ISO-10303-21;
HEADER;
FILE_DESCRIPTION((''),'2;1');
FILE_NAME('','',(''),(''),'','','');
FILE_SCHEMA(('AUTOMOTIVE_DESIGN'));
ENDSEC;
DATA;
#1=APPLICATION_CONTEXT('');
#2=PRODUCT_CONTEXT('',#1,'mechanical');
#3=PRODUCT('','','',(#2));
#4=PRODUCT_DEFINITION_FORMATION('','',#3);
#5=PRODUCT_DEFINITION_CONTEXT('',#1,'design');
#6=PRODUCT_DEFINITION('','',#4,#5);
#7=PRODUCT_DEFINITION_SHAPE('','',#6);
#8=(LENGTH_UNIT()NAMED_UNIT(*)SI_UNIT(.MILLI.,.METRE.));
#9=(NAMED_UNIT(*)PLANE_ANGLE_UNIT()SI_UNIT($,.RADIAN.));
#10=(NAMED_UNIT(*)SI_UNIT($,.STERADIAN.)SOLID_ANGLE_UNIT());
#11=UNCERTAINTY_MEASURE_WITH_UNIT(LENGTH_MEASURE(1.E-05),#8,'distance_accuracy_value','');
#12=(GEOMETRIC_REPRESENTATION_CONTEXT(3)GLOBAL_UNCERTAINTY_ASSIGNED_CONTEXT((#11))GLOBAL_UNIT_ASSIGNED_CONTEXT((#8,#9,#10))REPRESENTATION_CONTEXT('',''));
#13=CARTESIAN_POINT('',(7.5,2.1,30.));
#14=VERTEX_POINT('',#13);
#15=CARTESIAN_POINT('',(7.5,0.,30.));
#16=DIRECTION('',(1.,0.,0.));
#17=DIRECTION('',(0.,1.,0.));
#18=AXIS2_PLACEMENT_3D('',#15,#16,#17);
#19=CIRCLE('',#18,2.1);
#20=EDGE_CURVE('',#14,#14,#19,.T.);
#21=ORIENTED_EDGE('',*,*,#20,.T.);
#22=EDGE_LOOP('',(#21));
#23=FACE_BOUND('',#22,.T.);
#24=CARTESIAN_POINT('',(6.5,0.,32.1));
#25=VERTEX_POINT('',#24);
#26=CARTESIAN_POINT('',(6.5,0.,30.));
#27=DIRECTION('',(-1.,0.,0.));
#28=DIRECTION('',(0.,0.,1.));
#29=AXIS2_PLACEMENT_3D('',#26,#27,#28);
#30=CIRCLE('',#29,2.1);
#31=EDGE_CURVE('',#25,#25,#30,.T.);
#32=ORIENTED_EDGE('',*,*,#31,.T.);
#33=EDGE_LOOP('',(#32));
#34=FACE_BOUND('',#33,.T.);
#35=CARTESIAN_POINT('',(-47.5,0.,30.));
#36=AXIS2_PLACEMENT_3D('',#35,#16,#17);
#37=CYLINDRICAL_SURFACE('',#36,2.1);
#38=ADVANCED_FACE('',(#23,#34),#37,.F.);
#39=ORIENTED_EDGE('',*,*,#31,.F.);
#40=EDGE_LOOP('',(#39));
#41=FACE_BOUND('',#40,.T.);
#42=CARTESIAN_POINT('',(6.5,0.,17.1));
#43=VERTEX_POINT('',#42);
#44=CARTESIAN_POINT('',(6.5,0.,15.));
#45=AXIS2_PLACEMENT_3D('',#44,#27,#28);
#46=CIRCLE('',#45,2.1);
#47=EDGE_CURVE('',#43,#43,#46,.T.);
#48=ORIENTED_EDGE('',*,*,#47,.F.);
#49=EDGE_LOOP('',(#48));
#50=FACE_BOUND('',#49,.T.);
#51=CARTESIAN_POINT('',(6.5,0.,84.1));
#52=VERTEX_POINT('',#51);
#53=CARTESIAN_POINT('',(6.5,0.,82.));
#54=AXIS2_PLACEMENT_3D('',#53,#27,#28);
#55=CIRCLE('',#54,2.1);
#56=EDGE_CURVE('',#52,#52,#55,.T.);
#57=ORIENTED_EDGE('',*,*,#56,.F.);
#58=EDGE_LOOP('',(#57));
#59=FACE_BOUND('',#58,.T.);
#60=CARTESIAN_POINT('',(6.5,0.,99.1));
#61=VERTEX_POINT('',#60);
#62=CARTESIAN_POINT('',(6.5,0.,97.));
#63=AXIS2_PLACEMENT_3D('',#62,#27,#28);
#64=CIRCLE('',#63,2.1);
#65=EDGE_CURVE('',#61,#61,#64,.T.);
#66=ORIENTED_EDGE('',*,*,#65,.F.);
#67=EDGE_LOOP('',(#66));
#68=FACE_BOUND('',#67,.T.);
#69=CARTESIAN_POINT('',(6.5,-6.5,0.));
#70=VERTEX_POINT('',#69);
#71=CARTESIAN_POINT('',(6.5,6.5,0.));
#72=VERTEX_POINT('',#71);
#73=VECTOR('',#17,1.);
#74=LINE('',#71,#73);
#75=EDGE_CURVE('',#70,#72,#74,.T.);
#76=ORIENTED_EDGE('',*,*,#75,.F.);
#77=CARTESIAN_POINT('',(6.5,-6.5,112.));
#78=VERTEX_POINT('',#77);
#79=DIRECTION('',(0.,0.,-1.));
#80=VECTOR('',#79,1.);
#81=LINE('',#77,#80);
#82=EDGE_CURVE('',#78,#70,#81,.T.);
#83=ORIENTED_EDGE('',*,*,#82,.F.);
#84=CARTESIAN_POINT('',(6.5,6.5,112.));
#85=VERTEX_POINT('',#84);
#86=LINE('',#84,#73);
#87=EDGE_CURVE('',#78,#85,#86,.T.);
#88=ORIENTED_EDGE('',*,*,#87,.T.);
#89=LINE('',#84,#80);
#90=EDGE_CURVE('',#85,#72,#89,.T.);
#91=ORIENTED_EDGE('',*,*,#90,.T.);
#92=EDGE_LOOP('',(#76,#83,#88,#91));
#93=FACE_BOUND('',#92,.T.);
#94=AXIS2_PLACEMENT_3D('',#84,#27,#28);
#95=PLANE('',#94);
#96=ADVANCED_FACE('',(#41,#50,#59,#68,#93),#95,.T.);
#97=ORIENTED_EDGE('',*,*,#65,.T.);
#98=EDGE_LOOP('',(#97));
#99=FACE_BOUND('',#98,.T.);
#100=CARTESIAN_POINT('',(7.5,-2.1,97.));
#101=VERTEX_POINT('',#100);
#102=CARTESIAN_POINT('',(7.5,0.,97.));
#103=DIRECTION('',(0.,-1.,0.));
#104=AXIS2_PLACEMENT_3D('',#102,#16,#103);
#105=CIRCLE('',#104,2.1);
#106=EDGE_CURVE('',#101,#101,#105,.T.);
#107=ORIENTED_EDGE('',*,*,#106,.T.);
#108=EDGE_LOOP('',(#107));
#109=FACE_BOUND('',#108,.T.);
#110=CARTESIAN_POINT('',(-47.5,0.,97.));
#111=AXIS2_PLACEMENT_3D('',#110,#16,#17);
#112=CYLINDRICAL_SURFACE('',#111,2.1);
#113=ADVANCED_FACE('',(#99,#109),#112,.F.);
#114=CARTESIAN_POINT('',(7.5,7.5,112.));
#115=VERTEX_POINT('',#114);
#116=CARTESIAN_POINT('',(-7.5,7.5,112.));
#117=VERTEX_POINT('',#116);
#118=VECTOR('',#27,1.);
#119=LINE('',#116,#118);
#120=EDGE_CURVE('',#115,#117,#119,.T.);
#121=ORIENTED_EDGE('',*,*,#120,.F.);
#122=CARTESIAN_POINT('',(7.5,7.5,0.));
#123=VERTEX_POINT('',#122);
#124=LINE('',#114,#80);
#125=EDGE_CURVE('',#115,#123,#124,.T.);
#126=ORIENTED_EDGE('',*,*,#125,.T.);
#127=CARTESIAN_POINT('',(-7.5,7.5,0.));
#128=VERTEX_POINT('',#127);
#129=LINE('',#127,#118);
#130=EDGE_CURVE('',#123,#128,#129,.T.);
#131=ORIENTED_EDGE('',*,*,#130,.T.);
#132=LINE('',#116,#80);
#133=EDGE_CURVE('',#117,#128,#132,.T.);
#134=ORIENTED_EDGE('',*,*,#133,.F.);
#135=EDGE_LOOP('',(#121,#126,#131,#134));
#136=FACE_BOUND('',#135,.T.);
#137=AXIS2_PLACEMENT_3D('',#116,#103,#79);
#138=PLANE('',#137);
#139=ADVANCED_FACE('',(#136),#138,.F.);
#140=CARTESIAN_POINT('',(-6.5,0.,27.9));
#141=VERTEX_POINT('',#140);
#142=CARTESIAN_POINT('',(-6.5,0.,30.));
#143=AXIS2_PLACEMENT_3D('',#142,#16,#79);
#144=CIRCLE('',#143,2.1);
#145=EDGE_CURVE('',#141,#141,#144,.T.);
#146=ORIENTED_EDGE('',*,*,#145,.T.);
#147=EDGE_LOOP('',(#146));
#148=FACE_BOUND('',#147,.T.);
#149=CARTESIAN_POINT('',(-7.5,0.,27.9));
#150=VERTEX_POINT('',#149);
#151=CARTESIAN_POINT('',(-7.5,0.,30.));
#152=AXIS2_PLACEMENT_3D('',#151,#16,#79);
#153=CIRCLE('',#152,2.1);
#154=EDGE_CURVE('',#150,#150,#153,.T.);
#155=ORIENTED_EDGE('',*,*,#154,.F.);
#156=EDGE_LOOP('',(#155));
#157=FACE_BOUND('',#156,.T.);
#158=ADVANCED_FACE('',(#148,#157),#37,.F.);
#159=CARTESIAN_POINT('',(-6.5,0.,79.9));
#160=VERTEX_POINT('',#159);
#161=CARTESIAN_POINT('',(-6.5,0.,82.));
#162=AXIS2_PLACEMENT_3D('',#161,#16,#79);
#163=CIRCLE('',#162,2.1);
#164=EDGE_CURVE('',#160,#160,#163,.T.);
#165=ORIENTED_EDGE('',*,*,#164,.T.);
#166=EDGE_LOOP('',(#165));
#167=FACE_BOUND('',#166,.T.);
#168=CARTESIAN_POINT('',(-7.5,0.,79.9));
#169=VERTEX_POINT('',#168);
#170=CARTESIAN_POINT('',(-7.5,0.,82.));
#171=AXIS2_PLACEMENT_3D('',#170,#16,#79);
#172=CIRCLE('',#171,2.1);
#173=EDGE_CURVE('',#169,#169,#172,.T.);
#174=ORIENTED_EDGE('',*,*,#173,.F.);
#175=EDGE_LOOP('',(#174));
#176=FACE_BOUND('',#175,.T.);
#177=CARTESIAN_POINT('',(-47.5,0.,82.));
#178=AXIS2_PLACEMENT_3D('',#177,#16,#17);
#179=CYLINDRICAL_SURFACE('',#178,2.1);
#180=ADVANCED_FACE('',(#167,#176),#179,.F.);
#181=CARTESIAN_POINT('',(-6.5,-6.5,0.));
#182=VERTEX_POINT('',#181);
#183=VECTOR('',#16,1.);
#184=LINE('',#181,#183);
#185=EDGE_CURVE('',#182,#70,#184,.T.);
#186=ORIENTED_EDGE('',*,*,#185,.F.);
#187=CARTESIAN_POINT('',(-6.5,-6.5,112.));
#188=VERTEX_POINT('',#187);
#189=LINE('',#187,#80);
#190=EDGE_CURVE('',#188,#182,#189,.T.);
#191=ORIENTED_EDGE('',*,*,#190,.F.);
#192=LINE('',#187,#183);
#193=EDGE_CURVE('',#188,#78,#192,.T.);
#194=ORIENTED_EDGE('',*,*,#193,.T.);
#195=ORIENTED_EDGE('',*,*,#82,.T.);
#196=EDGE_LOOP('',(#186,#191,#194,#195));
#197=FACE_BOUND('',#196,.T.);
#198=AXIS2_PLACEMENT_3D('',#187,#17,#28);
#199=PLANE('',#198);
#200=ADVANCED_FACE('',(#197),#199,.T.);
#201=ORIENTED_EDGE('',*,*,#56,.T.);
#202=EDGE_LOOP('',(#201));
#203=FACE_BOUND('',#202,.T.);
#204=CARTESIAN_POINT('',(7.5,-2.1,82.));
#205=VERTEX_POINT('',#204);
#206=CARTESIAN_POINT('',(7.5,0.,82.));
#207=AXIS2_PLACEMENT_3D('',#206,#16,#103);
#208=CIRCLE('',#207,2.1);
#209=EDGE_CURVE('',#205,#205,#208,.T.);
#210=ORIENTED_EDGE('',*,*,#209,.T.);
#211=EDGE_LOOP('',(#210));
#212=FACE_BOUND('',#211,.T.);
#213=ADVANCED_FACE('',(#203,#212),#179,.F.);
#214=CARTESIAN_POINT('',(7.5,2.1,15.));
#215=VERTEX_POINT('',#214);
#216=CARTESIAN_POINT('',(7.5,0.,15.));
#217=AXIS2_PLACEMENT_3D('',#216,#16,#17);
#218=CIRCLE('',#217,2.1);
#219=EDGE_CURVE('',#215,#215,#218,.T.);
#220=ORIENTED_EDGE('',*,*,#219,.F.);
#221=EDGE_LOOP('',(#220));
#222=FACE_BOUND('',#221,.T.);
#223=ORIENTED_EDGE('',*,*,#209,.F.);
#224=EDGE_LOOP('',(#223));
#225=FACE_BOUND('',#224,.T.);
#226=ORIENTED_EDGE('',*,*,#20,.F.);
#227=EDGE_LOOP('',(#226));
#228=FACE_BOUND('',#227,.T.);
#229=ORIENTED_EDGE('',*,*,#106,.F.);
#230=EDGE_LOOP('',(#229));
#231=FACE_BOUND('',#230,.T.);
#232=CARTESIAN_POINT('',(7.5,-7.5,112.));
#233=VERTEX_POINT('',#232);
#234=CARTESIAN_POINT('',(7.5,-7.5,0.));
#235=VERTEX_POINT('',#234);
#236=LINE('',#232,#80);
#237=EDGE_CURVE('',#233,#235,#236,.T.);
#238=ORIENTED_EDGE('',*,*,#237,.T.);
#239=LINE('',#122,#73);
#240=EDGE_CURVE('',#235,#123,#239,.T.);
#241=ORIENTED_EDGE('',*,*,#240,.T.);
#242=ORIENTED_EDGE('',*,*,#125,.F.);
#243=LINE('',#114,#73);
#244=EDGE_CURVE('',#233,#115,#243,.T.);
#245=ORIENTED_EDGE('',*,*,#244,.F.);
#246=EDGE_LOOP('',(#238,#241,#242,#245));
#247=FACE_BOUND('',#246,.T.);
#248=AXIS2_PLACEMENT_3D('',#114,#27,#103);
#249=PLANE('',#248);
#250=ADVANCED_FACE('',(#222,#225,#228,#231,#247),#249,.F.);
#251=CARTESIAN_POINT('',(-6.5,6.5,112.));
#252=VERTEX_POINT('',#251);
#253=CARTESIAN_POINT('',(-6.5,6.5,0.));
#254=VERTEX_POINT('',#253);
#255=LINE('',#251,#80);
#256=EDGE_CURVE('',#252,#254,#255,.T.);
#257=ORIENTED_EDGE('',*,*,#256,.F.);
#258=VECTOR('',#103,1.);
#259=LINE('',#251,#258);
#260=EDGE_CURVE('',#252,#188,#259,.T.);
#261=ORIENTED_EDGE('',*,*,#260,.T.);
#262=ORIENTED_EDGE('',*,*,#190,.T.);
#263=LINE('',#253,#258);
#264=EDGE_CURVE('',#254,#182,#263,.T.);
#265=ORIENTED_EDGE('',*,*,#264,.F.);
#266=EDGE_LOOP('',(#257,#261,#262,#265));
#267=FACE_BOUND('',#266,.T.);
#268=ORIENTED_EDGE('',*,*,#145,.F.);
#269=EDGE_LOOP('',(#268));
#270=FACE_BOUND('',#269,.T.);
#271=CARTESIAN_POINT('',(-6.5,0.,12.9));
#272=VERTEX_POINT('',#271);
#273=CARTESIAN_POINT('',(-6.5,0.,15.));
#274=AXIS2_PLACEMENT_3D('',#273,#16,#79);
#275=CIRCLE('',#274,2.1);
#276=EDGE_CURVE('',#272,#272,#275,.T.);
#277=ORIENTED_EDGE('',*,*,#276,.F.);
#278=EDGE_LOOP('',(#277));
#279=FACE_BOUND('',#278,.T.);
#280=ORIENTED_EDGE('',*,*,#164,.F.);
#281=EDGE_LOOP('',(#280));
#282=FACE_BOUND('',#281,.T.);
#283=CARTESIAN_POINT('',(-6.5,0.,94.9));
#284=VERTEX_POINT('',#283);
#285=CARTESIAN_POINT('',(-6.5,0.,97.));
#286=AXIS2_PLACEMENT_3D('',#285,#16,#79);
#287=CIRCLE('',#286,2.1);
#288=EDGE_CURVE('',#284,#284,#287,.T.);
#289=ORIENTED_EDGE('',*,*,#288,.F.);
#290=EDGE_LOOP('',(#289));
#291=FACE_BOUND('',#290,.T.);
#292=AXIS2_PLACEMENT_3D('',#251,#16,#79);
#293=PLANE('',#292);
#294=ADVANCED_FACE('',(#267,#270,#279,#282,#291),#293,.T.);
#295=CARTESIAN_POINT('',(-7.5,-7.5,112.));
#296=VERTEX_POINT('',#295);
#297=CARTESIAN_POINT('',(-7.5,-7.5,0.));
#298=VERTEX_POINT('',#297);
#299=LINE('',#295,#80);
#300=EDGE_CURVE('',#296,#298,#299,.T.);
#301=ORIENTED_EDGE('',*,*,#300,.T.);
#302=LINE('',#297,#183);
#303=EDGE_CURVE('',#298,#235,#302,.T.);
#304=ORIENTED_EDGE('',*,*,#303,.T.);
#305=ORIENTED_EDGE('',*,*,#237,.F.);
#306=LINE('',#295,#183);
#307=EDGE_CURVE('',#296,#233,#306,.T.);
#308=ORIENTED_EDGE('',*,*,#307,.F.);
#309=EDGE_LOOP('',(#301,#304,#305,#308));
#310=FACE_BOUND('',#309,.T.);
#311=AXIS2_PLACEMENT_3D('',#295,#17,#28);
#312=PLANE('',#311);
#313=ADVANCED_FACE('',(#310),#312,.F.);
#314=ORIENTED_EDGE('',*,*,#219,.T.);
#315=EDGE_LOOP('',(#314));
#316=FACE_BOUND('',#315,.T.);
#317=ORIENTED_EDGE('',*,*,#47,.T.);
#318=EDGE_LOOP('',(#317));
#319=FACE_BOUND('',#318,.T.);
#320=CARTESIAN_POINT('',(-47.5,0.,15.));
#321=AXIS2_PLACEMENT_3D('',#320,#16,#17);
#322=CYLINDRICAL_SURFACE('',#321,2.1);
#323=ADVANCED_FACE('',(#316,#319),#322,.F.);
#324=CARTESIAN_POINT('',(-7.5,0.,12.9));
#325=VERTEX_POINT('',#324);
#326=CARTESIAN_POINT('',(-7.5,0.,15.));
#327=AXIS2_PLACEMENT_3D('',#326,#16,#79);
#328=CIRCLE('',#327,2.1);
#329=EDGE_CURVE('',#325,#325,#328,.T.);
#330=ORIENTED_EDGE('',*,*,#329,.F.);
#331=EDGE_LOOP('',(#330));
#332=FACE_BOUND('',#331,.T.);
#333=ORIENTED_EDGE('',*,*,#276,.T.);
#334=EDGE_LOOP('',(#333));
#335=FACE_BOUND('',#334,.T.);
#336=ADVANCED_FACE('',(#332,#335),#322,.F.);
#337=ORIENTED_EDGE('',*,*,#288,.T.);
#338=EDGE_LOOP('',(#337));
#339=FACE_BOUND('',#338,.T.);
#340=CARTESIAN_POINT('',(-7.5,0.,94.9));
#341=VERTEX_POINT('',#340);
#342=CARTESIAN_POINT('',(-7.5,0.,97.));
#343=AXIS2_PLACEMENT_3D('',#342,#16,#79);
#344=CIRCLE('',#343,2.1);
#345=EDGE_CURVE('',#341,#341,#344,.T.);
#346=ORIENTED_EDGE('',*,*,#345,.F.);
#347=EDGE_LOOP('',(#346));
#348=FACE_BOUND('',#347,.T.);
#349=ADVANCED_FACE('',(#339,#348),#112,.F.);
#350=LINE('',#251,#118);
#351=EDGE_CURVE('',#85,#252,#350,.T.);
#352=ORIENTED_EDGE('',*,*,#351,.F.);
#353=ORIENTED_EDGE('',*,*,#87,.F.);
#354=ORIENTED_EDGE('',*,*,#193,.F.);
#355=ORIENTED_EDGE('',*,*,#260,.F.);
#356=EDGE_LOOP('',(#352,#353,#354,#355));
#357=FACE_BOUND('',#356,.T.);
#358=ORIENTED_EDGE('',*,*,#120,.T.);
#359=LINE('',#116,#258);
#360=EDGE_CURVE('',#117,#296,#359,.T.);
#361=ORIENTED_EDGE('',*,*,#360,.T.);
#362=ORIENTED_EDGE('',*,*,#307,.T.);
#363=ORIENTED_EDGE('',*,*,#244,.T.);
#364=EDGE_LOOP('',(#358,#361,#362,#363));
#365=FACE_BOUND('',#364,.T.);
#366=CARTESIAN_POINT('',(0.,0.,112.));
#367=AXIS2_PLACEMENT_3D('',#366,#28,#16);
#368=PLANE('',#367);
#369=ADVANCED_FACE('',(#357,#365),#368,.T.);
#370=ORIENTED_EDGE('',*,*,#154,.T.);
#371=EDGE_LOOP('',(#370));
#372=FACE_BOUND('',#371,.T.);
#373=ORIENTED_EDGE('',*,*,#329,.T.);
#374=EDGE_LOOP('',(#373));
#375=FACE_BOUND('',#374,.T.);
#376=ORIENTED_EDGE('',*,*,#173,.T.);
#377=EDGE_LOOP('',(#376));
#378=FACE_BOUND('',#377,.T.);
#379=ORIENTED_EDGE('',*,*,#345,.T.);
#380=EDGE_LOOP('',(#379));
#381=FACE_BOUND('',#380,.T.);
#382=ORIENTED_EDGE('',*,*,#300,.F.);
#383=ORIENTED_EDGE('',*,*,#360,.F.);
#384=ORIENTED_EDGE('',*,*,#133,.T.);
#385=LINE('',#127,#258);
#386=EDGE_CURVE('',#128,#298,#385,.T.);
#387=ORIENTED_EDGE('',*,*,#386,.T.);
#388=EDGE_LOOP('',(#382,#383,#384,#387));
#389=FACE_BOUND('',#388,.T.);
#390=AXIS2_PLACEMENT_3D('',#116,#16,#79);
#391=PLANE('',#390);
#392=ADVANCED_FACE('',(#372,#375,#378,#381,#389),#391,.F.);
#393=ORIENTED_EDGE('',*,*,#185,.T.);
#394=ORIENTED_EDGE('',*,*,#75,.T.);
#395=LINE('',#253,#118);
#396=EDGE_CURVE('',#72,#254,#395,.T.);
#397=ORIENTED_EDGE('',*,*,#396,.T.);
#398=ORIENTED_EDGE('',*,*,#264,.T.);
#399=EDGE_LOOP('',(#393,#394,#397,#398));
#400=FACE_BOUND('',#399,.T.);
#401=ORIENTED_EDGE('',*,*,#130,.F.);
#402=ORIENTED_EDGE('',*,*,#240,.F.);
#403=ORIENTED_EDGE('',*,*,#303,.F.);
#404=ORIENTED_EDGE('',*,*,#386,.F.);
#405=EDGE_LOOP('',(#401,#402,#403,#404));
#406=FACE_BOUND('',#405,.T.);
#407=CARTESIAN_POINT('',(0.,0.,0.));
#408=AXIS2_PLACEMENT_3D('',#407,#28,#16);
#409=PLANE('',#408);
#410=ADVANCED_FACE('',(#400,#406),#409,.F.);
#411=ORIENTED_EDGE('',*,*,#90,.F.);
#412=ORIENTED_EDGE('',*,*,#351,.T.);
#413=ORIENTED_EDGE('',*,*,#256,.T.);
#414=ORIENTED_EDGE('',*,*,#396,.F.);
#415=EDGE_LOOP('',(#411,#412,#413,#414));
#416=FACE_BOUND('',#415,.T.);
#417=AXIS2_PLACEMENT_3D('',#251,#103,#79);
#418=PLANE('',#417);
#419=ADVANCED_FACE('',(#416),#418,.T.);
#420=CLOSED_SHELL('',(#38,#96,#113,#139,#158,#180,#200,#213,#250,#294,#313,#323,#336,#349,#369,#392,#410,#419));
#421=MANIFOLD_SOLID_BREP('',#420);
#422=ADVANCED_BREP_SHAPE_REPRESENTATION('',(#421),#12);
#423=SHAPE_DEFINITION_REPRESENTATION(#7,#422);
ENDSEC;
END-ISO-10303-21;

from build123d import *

# Parameters (mm, degrees)
SKETCH_1_W          = 15
SKETCH_1_H          = 15
SKETCH_1_W_2        = 13
SKETCH_1_H_2        = 13
EXTRUDE_1_DEPTH     = 112
SKETCH_3_R          = 2.1
CUT_EXTRUDE_1_DEPTH = 55


with BuildPart() as part:
    # 草图1 → 凸台-拉伸1 (new body)
    with BuildSketch(Plane.XY):
        Rectangle(SKETCH_1_W, SKETCH_1_H)
        Rectangle(SKETCH_1_W_2, SKETCH_1_H_2, mode=Mode.SUBTRACT)
    extrude(amount=EXTRUDE_1_DEPTH)

    # 草图3 → 切除-拉伸1 (cut)
    with BuildSketch(Plane(origin=(7.5, 0, 0), x_dir=(0, 0, -1), z_dir=(1, 0, 0))):
        with Locations((-15, 0)):
            Circle(SKETCH_3_R)
        with Locations((-30, 0)):
            Circle(SKETCH_3_R)
        with Locations((-97, 0)):
            Circle(SKETCH_3_R)
        with Locations((-82, 0)):
            Circle(SKETCH_3_R)
    extrude(amount=-CUT_EXTRUDE_1_DEPTH, mode=Mode.SUBTRACT)


solid = part.part
